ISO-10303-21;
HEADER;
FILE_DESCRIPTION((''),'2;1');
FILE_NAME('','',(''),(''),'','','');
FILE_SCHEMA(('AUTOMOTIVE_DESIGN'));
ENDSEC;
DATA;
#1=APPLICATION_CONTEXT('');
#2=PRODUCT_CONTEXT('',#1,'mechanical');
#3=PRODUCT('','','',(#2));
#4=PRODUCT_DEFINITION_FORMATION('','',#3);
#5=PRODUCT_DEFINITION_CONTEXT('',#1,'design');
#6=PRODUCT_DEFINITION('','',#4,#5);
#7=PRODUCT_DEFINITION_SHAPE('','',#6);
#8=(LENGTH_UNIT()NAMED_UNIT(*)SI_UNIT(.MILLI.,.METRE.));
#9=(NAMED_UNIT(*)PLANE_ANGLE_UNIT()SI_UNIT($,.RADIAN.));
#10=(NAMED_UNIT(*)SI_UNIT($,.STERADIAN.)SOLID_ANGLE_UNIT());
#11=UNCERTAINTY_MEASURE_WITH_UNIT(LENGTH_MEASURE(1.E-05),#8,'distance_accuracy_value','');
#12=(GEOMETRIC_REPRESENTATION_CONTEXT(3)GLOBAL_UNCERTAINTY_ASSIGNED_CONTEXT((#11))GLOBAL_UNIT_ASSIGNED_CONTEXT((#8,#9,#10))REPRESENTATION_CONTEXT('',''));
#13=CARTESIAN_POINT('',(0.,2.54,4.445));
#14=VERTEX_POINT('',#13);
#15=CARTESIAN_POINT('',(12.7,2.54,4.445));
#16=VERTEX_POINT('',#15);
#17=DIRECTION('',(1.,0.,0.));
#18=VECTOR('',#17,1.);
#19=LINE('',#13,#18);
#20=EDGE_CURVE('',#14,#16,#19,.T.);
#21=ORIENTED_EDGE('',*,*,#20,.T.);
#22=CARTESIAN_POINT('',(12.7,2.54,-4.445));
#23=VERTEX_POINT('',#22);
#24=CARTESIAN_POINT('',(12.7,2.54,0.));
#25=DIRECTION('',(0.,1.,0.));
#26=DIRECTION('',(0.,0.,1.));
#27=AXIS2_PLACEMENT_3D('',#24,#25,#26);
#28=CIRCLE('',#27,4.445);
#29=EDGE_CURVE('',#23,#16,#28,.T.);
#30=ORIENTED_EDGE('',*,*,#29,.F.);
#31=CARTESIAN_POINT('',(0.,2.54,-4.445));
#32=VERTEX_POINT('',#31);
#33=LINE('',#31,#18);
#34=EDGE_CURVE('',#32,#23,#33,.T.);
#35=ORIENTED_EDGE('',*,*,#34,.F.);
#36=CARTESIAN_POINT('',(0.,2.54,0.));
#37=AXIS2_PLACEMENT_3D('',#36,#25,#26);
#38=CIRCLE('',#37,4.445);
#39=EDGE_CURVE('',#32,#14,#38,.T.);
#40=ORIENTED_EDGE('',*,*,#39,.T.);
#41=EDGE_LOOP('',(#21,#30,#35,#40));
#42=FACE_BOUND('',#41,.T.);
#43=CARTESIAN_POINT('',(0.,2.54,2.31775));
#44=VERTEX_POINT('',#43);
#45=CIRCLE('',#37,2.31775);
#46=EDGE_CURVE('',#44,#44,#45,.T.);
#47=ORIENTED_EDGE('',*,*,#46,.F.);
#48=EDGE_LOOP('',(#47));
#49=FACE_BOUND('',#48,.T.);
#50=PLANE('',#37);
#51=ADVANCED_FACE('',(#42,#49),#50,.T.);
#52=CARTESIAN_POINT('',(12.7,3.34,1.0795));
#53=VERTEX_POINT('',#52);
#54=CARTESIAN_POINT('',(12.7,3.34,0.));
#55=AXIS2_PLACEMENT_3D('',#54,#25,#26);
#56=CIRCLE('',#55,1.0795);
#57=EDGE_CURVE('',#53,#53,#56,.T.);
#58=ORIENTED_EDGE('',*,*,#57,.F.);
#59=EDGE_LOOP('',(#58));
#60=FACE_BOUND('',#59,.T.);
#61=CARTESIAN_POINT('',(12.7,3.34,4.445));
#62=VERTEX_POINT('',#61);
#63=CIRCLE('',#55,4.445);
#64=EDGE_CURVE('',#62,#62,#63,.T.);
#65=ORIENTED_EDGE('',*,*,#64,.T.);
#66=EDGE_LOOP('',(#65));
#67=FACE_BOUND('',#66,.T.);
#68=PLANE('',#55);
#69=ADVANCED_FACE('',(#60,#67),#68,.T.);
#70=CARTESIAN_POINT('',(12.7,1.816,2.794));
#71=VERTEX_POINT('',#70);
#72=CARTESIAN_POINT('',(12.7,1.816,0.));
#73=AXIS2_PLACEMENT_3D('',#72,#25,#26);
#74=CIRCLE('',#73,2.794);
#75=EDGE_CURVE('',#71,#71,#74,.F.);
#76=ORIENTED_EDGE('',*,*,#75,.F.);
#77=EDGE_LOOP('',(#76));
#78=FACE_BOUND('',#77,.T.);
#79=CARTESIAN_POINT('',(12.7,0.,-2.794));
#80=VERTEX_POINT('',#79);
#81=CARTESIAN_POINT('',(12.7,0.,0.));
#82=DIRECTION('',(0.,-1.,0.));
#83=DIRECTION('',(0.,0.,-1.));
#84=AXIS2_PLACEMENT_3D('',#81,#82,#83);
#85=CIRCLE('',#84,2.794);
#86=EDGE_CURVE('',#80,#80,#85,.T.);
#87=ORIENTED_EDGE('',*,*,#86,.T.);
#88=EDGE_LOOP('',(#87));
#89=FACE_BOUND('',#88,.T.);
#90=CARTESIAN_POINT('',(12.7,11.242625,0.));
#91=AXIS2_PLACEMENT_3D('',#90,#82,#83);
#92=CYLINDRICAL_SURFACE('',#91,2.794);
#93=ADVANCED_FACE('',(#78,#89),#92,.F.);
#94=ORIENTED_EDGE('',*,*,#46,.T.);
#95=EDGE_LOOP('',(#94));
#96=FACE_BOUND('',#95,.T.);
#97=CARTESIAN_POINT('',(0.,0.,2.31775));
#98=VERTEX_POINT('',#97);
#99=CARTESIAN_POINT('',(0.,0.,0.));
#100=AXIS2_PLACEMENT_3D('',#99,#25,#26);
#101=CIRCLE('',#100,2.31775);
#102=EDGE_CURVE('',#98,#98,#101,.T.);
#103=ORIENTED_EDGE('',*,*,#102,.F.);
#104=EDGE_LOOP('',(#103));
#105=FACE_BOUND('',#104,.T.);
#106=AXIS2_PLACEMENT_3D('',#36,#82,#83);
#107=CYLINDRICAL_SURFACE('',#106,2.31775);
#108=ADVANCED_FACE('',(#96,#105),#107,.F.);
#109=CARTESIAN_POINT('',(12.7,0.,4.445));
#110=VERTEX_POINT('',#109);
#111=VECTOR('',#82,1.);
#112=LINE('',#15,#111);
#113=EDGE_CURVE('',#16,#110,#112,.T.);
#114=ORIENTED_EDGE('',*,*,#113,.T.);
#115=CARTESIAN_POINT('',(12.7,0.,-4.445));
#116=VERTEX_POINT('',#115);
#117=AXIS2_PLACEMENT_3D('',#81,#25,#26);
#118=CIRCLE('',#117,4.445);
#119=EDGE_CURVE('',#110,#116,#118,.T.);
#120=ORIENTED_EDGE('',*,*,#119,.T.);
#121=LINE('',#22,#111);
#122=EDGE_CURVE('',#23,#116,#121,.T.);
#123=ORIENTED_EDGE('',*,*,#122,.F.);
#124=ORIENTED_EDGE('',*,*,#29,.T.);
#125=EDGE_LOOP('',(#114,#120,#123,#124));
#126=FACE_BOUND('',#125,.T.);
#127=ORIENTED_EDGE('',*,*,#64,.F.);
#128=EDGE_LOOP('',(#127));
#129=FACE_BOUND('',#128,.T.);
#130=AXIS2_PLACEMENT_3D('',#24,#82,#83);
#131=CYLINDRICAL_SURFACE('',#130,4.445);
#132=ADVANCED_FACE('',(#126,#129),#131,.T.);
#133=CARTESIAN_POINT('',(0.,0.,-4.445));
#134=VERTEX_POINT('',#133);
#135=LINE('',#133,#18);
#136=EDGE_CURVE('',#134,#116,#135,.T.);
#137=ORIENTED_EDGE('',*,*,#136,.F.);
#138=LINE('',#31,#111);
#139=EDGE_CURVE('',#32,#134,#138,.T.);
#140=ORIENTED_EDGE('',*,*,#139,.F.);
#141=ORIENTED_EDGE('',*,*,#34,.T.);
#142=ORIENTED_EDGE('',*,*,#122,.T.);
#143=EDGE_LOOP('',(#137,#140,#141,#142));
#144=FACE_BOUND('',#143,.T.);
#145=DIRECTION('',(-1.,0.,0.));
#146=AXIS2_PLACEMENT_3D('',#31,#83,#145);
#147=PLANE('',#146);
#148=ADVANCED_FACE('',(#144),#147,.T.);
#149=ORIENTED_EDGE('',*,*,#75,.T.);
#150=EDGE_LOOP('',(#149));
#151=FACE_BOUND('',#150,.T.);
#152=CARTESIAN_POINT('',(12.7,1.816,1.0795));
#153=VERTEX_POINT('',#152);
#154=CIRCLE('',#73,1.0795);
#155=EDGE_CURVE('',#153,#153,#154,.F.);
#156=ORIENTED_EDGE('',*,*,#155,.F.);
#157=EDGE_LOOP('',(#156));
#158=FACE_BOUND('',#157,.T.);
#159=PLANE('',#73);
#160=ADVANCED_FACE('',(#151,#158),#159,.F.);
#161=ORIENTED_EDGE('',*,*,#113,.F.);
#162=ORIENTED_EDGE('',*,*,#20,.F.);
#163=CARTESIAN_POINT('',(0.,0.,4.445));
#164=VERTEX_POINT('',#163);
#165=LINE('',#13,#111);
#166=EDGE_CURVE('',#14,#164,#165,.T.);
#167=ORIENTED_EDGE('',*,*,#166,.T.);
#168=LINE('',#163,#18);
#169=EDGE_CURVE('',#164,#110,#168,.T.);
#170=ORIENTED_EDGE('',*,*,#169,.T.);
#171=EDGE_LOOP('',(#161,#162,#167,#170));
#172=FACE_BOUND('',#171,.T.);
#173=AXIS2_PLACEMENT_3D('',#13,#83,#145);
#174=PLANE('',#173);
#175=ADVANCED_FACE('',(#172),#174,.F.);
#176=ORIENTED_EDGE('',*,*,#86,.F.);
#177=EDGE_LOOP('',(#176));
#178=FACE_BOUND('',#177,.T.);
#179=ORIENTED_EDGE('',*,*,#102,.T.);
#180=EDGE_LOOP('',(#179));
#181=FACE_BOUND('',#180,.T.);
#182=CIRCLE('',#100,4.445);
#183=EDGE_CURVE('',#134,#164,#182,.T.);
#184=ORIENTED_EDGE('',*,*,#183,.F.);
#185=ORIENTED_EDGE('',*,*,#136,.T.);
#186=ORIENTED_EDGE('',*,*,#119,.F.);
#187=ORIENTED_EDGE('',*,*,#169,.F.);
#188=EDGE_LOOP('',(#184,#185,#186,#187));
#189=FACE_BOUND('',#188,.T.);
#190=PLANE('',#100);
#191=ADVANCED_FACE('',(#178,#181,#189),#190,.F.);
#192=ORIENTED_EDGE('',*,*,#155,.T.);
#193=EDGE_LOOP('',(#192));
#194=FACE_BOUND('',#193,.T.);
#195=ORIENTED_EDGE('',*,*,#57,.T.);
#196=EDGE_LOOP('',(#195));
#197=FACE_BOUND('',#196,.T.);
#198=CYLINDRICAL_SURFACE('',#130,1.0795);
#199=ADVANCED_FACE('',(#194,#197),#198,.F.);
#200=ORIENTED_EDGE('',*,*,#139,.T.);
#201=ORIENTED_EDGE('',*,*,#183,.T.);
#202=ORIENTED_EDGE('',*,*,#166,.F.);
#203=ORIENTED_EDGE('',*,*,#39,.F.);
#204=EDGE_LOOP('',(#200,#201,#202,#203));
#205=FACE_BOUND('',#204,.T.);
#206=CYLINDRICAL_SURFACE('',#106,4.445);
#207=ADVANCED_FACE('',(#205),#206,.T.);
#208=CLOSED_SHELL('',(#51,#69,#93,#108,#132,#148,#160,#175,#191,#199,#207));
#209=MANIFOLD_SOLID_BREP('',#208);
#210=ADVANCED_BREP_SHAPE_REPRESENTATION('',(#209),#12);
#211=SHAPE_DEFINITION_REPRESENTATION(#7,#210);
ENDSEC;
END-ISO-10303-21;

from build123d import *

# Parameters (mm, degrees)
SKETCH1_R             = 2.31775
SKETCH1_R_2           = 1.0795
BASE_EXTRUDE_DEPTH    = 2.54
SKETCH2_R             = 4.445
SKETCH2_R_2           = 1.0795
SERVO_EXTRUDE_DEPTH   = 0.8
SKETCH3_R             = 2.794
SKETCH3_R_2           = 1.0795
SERVO_MOUNT_CUT_DEPTH = 1.816


with BuildPart() as part:
    # Sketch1 → Base Extrude (new body)
    with BuildSketch(Plane(origin=(0, 0, 0), x_dir=(1, 0, 0), z_dir=(0, 1, 0))):
        with BuildLine():
            ThreePointArc((0, 4.445), (-4.445, 0), (0, -4.445))
            Line((0, -4.445), (12.7, -4.445))
            ThreePointArc((12.7, -4.445), (17.145, 0), (12.7, 4.445))
            Line((12.7, 4.445), (0, 4.445))
        make_face()
        with Locations(Location((0, 0, 0), (0, 0, 270))):
            Circle(SKETCH1_R, mode=Mode.SUBTRACT)
        with Locations(Location((12.7, 0, 0), (0, 0, 270))):
            Circle(SKETCH1_R_2, mode=Mode.SUBTRACT)
    extrude(amount=BASE_EXTRUDE_DEPTH)

    # Sketch2 → Servo Extrude (add)
    with BuildSketch(Plane(origin=(0, 2.54, 0), x_dir=(1, 0, 0), z_dir=(0, 1, 0))):
        with Locations(Location((12.7, 0, 0), (0, 0, 270))):
            Circle(SKETCH2_R)
        with Locations(Location((12.7, 0, 0), (0, 0, 270))):
            Circle(SKETCH2_R_2, mode=Mode.SUBTRACT)
    extrude(amount=SERVO_EXTRUDE_DEPTH)

    # Sketch3 → Servo Mount Cut (cut)
    with BuildSketch(Plane.XZ):
        with Locations(Location((12.7, 0, 0), (0, 0, 270))):
            Circle(SKETCH3_R)
        with Locations(Location((12.7, 0, 0), (0, 0, 90))):
            Circle(SKETCH3_R_2, mode=Mode.SUBTRACT)
    extrude(amount=-SERVO_MOUNT_CUT_DEPTH, mode=Mode.SUBTRACT)


solid = part.part
